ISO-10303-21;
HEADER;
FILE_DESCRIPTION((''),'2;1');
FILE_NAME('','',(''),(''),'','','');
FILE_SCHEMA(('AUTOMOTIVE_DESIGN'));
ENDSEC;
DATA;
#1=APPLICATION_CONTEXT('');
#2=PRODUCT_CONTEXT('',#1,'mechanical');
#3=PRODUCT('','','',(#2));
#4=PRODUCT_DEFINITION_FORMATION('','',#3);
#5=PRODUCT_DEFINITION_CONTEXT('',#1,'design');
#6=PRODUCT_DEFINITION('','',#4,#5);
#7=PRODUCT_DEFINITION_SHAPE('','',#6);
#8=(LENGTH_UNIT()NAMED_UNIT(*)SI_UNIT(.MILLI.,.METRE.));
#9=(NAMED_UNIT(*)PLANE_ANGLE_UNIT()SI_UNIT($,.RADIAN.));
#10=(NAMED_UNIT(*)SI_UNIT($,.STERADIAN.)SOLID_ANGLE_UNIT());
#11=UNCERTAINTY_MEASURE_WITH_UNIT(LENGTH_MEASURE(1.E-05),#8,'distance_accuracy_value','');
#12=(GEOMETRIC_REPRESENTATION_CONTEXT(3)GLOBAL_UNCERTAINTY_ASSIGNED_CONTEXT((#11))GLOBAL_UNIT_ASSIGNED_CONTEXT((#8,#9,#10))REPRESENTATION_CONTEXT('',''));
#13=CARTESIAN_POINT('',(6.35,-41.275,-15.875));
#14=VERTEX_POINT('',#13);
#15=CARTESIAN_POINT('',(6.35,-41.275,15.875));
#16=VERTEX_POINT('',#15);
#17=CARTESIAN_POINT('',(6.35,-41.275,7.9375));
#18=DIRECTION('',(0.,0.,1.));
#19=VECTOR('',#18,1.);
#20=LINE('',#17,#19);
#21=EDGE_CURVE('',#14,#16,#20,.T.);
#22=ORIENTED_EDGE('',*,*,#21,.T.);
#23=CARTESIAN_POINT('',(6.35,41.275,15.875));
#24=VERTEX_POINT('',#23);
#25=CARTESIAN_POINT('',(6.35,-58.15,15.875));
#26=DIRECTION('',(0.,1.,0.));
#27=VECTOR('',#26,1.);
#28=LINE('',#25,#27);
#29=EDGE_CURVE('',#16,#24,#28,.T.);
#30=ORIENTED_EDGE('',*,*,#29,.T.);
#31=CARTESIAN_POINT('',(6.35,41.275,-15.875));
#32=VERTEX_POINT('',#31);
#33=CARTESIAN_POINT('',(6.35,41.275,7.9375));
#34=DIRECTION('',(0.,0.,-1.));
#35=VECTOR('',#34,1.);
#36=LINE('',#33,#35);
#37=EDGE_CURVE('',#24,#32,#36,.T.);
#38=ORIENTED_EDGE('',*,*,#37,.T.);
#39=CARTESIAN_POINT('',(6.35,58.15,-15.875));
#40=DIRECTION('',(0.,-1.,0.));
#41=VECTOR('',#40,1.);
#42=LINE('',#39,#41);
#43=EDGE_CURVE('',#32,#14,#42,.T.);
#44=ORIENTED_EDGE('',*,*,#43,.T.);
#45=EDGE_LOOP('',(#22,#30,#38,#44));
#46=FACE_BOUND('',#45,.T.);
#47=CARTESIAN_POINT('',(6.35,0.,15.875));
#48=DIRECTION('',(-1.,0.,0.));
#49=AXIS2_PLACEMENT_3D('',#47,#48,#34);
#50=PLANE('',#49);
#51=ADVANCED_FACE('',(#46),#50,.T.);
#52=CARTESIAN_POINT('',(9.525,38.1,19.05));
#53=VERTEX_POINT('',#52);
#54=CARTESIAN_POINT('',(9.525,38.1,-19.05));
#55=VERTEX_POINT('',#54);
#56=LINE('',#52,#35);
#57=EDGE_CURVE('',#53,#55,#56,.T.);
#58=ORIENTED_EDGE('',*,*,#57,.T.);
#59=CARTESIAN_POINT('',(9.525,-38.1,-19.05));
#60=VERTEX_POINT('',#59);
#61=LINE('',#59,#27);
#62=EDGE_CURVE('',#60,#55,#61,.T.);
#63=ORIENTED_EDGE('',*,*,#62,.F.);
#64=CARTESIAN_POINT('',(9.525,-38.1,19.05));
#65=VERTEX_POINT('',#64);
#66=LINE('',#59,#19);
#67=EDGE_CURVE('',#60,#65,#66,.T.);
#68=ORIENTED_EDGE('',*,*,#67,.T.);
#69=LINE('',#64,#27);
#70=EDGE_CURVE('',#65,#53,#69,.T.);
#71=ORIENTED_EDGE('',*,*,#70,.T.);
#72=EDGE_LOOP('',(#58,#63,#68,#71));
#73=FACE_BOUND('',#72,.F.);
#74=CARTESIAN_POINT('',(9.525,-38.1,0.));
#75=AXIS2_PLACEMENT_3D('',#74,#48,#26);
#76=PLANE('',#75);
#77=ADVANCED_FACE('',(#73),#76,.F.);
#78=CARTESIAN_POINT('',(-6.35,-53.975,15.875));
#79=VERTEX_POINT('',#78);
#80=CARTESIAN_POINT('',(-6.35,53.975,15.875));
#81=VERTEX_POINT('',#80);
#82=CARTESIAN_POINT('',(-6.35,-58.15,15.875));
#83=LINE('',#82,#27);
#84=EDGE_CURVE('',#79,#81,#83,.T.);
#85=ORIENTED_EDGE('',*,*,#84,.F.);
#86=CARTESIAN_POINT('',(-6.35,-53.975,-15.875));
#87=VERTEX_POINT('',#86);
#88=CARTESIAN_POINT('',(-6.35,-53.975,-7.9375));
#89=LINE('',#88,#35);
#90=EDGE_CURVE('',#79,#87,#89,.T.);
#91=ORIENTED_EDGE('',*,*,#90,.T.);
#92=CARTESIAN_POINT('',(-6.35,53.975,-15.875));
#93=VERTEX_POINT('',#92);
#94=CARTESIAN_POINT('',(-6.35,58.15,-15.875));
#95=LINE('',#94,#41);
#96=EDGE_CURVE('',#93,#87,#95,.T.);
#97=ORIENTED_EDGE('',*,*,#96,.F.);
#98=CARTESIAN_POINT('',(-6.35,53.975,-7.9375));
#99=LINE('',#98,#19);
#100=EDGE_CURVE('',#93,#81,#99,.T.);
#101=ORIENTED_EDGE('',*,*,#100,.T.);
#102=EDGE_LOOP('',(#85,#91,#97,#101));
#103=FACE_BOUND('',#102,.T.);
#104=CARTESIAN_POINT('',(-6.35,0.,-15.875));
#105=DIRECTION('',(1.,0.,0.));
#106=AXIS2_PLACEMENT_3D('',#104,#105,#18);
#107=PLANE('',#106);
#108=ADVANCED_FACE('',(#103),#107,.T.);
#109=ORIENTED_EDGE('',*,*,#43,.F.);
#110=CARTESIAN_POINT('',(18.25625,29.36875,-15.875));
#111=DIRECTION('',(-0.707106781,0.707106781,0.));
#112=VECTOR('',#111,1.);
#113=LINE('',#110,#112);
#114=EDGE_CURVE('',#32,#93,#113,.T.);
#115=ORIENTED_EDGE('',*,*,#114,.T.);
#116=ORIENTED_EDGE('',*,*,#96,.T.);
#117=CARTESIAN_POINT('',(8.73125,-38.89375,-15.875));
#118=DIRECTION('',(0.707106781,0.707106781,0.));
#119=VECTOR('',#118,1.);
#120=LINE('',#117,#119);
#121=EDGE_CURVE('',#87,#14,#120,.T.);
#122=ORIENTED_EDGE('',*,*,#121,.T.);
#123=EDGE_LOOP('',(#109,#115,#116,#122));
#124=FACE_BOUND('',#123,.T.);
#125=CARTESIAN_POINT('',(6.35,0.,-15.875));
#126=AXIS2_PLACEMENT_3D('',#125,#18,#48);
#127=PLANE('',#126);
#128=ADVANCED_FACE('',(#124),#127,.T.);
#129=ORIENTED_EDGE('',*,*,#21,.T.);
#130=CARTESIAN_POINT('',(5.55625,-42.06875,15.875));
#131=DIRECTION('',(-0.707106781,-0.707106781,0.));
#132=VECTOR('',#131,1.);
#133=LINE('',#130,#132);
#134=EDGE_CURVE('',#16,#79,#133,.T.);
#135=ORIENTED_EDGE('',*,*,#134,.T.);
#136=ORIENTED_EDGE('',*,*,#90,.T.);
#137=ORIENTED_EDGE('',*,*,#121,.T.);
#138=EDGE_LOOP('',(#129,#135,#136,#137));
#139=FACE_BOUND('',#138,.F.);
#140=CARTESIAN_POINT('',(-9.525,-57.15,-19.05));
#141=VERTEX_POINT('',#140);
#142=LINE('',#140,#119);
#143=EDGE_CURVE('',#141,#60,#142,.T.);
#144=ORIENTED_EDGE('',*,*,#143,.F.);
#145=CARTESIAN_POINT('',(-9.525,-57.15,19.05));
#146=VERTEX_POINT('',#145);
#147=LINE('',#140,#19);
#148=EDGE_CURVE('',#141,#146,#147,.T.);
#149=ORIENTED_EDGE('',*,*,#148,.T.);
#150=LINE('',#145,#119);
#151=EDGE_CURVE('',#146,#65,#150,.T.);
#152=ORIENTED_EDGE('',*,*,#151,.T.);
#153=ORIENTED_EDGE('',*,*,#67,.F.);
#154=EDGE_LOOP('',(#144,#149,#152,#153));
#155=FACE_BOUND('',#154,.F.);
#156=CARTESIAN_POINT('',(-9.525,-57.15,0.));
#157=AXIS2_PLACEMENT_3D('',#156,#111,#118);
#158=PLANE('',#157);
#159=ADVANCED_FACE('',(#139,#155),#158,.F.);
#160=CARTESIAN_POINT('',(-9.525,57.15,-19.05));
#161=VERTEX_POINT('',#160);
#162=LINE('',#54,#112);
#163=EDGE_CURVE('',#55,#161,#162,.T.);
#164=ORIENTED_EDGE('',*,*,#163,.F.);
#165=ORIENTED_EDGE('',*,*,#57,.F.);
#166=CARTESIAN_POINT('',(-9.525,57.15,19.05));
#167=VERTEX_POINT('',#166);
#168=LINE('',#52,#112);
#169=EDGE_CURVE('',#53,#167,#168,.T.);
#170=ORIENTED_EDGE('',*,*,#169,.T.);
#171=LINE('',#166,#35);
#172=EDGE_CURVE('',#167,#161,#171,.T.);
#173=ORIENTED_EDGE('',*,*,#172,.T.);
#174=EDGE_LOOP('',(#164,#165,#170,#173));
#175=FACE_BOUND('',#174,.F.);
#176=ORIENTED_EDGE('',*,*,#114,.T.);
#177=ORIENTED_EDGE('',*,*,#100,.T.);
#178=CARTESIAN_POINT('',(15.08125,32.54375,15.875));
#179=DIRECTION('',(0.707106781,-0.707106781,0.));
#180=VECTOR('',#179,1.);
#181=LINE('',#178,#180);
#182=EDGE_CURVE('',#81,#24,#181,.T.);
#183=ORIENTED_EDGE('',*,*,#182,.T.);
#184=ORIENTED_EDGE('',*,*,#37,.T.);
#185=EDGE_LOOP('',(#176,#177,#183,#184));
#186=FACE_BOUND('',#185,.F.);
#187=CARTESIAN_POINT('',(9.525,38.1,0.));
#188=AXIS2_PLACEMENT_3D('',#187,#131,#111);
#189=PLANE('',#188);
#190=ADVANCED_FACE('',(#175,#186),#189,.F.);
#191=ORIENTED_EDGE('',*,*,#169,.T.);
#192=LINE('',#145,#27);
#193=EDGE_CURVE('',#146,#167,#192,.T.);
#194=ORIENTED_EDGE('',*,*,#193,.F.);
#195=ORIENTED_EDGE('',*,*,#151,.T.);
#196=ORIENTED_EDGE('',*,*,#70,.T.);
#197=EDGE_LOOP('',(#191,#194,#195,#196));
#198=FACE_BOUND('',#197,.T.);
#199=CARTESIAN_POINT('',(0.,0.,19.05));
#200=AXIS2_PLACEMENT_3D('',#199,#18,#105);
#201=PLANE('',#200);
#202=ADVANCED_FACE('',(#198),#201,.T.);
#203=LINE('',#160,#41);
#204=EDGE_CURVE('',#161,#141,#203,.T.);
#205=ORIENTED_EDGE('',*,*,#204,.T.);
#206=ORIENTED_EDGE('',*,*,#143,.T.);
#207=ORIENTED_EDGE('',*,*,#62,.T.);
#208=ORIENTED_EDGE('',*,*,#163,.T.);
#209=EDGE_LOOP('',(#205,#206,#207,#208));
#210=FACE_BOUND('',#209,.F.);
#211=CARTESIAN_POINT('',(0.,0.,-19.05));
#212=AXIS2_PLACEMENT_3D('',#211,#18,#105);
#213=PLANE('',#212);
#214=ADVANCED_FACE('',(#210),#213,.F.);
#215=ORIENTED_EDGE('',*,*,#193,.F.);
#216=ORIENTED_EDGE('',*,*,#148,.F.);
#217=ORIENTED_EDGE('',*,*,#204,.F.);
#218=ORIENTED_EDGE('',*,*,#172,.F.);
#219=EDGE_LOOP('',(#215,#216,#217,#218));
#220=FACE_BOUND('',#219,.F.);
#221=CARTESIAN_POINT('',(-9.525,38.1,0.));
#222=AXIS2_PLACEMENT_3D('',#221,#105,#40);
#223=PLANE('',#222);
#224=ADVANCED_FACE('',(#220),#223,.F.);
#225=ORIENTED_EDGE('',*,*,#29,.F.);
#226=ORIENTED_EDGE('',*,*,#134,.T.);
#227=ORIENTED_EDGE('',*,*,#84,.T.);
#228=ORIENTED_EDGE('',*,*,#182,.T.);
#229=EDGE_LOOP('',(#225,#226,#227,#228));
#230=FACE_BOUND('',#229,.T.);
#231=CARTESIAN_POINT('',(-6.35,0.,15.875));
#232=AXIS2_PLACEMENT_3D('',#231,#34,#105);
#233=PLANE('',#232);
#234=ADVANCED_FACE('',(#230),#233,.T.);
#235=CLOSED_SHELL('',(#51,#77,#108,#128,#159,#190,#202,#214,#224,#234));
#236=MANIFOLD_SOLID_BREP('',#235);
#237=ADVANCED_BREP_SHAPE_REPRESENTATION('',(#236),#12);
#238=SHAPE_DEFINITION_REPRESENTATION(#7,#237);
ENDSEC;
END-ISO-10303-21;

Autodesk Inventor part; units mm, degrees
ref_plane "YZ Plane" through (0, 0, 0) normal (1, 0, 0) x (0, 1, 0)
ref_plane "XZ Plane" through (0, 0, 0) normal (0, 1, 0) x (-1, 0, 0)
ref_plane "XY Plane" through (0, 0, 0) normal (0, 0, 1) x (1, 0, 0)
sketch "Sketch1" plane through (0, 0, 0) normal (0, 0, 1) x (1, 0, 0)
  line L0 (-9.525, -38.1) -> (9.525, -38.1)
  line L1 (9.525, -38.1) -> (9.525, 38.1)
  line L2 (9.525, 38.1) -> (-9.525, 38.1)
  line L3 (-9.525, 38.1) -> (-9.525, -38.1)
  line L4 (-9.525, -38.1) -> (9.525, 38.1) construction
  line L5 (9.525, -38.1) -> (-9.525, 38.1) construction
  line L6 (9.525, 38.1) -> (-9.525, 57.15)
  line L7 (-9.525, 57.15) -> (-9.525, 38.1)
  line L8 (-9.525, -38.1) -> (-9.525, -57.15)
  line L9 (-9.525, -57.15) -> (9.525, -38.1)
  point P0 (0, 0)
  dimension "d0" = 19.05
  dimension "d1" = 45
  dimension "d2" = 45
  dimension "d10" = 114.3
extrude "Extrusion1" add sketch "Sketch1" along normal mid plane 38.1
sketch "Sketch2" plane through (0, 0, 0) normal (0, 1, 0) x (-1, 0, 0)
  line L0 (6.35, 15.875) -> (-6.35, 15.875)
  line L1 (-6.35, 15.875) -> (-6.35, -15.875)
  line L2 (-6.35, -15.875) -> (6.35, -15.875)
  line L3 (6.35, -15.875) -> (6.35, 15.875)
  line L4 (6.35, 15.875) -> (-6.35, -15.875) construction
  line L5 (-6.35, 15.875) -> (6.35, -15.875) construction
  line L6 (-9.525, -19.05) -> (-9.525, 19.05) projected
  line L7 (-9.525, -19.05) -> (9.525, -19.05) projected
  point P0 (0, 0)
  dimension "d6" = 3.175
  dimension "d7" = 3.175
extrude "Extrusion2" cut sketch "Sketch2" along normal through all both and the other way through all
equation "\"d0\" = width"
equation "\"d10\" = length"
equation "\"d3\" = longSide"
equation "\"d8\" = longSide"
equation "\"width\" = 19.05"
equation "\"longSide\" = 38.1"
equation "\"length\" = 114.3"
properties part number "45dege0_75x1.50ForBottomOfShooter" material "Aluminum 6061"
